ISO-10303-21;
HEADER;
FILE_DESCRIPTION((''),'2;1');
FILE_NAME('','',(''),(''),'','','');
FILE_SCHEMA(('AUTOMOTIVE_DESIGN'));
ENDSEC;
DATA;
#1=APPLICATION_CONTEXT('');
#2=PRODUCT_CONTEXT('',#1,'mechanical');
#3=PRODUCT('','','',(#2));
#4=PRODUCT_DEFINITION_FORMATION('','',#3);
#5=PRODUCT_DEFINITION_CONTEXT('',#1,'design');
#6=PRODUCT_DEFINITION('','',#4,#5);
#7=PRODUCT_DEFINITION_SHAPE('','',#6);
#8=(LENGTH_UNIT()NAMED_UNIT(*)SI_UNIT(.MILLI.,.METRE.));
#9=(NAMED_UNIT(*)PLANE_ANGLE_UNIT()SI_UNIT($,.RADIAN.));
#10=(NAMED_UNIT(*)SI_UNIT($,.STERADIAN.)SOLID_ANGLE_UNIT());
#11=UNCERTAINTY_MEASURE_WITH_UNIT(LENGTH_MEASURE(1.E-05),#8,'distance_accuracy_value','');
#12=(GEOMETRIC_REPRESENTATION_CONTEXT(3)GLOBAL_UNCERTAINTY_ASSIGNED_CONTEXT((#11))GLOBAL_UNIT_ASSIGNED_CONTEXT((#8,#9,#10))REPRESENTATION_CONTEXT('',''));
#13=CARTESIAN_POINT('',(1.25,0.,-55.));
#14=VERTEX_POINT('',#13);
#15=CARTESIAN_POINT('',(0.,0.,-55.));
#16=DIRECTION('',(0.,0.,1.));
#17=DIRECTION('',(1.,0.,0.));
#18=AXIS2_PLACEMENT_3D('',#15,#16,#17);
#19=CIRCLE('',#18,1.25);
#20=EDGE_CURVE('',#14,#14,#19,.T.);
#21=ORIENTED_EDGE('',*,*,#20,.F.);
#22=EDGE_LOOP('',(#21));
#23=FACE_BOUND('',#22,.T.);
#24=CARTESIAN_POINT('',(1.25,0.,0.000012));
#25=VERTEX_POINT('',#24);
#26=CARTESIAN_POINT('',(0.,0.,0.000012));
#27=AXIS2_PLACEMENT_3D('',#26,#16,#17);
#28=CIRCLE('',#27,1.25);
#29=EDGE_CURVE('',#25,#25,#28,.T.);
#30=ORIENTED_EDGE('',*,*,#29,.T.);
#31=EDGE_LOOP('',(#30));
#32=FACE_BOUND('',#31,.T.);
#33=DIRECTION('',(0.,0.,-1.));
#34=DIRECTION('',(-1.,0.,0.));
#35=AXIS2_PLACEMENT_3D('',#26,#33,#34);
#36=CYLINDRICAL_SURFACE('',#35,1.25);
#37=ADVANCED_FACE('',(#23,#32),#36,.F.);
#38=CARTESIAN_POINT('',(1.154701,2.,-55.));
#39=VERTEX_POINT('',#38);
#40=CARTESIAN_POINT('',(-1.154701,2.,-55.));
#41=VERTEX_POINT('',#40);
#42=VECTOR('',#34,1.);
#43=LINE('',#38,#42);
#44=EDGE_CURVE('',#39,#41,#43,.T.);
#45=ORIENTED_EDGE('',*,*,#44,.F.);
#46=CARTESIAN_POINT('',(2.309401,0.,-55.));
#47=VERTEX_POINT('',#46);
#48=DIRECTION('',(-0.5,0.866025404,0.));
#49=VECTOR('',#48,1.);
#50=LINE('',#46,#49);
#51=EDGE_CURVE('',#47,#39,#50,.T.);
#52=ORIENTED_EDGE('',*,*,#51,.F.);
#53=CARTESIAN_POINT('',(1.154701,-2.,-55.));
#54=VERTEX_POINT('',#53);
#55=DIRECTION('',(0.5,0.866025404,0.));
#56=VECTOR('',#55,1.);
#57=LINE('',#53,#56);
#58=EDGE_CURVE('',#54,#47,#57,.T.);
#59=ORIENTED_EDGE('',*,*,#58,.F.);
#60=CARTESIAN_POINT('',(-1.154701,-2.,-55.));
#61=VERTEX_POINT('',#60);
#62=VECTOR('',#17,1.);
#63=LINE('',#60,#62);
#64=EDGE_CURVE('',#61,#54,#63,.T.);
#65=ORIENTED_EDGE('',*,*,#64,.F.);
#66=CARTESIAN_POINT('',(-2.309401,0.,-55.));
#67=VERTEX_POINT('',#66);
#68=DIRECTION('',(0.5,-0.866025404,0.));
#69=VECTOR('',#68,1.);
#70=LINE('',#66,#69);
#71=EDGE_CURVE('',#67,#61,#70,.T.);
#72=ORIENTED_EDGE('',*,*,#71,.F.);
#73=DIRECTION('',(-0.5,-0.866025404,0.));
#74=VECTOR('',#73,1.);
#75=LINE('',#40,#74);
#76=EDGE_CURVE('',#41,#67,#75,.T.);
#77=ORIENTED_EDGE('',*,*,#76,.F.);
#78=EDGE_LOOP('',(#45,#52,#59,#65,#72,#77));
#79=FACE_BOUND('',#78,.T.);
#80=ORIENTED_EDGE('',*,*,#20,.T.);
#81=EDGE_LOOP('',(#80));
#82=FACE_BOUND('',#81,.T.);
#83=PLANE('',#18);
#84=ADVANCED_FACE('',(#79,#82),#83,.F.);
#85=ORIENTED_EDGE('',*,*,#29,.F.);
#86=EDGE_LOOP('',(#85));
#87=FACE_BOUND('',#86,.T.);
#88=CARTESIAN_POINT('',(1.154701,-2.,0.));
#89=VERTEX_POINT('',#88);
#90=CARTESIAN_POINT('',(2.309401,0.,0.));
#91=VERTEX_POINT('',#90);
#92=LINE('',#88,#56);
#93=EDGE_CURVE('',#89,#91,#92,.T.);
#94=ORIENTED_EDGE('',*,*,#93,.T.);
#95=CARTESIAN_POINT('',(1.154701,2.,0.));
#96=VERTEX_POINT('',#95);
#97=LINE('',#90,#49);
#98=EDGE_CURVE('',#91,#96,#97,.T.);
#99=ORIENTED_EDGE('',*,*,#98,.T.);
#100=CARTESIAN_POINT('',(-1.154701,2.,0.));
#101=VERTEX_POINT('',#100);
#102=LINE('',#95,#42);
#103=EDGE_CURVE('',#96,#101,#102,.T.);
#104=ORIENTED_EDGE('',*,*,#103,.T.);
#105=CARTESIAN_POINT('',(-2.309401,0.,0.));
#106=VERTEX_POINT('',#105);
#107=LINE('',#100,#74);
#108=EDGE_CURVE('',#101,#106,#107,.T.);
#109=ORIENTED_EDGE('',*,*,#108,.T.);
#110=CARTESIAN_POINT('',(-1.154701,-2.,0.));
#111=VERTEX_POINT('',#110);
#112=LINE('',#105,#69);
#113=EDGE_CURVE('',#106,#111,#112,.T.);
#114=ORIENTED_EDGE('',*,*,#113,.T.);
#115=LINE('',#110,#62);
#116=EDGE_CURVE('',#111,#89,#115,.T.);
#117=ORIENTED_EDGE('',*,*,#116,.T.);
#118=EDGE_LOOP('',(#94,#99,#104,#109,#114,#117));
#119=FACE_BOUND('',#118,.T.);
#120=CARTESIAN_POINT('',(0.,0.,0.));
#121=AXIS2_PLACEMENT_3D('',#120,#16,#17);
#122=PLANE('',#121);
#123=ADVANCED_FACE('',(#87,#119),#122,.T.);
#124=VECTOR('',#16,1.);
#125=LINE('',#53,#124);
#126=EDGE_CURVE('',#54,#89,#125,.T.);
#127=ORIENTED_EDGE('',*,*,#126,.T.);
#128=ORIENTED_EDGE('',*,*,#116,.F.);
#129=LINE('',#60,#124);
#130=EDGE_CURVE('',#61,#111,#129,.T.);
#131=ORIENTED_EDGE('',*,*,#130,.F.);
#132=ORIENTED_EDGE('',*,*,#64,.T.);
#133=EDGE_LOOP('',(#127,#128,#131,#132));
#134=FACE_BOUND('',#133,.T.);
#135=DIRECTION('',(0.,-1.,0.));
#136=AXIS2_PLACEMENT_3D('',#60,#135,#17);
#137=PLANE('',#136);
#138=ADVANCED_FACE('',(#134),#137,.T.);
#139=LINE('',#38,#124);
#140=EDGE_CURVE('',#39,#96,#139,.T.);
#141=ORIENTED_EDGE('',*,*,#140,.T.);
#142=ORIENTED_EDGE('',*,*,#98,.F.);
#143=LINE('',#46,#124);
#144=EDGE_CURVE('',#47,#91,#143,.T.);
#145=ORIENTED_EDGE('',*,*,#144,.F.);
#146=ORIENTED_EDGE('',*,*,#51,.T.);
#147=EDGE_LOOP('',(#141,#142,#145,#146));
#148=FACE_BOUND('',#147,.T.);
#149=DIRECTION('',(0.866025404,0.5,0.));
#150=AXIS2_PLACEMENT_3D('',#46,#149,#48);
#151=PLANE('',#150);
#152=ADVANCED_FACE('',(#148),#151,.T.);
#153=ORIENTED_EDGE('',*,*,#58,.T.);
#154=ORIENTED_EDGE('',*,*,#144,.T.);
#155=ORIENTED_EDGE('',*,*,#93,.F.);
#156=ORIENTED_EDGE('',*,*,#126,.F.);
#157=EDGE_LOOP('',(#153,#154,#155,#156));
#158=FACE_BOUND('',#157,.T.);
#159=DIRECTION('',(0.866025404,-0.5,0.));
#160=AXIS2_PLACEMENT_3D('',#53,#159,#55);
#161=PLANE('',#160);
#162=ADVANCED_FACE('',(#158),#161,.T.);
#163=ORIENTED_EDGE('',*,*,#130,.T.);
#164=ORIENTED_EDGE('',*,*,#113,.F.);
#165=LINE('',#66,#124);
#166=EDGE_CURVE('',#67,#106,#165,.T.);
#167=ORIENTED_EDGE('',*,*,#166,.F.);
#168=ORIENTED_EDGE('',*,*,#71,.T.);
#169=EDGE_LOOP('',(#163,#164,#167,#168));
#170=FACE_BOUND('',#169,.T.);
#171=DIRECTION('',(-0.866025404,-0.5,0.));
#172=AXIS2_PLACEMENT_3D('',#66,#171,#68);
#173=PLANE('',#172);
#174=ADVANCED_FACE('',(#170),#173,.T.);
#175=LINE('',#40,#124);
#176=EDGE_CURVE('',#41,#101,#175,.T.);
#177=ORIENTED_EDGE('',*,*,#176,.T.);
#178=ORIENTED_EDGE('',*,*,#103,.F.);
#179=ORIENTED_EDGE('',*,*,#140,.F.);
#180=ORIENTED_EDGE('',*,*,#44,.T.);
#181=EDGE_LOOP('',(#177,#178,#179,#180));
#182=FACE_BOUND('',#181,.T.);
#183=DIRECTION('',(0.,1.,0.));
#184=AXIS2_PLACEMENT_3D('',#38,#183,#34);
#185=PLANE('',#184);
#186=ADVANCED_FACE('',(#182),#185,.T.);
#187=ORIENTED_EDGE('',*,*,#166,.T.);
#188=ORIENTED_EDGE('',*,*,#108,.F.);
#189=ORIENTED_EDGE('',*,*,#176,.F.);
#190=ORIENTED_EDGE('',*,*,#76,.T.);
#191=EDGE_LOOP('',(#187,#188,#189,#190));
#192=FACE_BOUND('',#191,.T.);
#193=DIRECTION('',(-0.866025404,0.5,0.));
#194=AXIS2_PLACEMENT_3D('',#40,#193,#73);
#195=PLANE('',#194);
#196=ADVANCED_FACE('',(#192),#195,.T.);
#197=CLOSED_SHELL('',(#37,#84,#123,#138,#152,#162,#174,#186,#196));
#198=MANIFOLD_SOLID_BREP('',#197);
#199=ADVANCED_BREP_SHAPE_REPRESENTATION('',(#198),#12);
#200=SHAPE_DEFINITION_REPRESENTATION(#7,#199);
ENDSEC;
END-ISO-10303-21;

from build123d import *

# Parameters (mm, degrees)
BOSS_EXTRUDE1_DEPTH     = 55
CUT_EXTRUDE1_DEPTH      = 56.084783138
CUT_EXTRUDE1_DEPTH_BACK = 56.084783138
SKETCH2_R               = 1.25


with BuildPart() as part:
    # Sketch1 → Boss-Extrude1 (new body)
    with BuildSketch(Plane.XY):
        Polygon((2.309401077, 0), (1.154700538, 2), (-1.154700538, 2), (-2.309401077, 0), (-1.154700538, -2), (1.154700538, -2), align=None)
    extrude(amount=-BOSS_EXTRUDE1_DEPTH)

    # Sketch2 → Cut-Extrude1 (cut, two sides: drawn at the far end of the back side and taken through both)
    with BuildSketch(Plane.XY.offset(-CUT_EXTRUDE1_DEPTH_BACK)):
        Circle(SKETCH2_R)
    extrude(amount=CUT_EXTRUDE1_DEPTH + CUT_EXTRUDE1_DEPTH_BACK, mode=Mode.SUBTRACT)


solid = part.part
